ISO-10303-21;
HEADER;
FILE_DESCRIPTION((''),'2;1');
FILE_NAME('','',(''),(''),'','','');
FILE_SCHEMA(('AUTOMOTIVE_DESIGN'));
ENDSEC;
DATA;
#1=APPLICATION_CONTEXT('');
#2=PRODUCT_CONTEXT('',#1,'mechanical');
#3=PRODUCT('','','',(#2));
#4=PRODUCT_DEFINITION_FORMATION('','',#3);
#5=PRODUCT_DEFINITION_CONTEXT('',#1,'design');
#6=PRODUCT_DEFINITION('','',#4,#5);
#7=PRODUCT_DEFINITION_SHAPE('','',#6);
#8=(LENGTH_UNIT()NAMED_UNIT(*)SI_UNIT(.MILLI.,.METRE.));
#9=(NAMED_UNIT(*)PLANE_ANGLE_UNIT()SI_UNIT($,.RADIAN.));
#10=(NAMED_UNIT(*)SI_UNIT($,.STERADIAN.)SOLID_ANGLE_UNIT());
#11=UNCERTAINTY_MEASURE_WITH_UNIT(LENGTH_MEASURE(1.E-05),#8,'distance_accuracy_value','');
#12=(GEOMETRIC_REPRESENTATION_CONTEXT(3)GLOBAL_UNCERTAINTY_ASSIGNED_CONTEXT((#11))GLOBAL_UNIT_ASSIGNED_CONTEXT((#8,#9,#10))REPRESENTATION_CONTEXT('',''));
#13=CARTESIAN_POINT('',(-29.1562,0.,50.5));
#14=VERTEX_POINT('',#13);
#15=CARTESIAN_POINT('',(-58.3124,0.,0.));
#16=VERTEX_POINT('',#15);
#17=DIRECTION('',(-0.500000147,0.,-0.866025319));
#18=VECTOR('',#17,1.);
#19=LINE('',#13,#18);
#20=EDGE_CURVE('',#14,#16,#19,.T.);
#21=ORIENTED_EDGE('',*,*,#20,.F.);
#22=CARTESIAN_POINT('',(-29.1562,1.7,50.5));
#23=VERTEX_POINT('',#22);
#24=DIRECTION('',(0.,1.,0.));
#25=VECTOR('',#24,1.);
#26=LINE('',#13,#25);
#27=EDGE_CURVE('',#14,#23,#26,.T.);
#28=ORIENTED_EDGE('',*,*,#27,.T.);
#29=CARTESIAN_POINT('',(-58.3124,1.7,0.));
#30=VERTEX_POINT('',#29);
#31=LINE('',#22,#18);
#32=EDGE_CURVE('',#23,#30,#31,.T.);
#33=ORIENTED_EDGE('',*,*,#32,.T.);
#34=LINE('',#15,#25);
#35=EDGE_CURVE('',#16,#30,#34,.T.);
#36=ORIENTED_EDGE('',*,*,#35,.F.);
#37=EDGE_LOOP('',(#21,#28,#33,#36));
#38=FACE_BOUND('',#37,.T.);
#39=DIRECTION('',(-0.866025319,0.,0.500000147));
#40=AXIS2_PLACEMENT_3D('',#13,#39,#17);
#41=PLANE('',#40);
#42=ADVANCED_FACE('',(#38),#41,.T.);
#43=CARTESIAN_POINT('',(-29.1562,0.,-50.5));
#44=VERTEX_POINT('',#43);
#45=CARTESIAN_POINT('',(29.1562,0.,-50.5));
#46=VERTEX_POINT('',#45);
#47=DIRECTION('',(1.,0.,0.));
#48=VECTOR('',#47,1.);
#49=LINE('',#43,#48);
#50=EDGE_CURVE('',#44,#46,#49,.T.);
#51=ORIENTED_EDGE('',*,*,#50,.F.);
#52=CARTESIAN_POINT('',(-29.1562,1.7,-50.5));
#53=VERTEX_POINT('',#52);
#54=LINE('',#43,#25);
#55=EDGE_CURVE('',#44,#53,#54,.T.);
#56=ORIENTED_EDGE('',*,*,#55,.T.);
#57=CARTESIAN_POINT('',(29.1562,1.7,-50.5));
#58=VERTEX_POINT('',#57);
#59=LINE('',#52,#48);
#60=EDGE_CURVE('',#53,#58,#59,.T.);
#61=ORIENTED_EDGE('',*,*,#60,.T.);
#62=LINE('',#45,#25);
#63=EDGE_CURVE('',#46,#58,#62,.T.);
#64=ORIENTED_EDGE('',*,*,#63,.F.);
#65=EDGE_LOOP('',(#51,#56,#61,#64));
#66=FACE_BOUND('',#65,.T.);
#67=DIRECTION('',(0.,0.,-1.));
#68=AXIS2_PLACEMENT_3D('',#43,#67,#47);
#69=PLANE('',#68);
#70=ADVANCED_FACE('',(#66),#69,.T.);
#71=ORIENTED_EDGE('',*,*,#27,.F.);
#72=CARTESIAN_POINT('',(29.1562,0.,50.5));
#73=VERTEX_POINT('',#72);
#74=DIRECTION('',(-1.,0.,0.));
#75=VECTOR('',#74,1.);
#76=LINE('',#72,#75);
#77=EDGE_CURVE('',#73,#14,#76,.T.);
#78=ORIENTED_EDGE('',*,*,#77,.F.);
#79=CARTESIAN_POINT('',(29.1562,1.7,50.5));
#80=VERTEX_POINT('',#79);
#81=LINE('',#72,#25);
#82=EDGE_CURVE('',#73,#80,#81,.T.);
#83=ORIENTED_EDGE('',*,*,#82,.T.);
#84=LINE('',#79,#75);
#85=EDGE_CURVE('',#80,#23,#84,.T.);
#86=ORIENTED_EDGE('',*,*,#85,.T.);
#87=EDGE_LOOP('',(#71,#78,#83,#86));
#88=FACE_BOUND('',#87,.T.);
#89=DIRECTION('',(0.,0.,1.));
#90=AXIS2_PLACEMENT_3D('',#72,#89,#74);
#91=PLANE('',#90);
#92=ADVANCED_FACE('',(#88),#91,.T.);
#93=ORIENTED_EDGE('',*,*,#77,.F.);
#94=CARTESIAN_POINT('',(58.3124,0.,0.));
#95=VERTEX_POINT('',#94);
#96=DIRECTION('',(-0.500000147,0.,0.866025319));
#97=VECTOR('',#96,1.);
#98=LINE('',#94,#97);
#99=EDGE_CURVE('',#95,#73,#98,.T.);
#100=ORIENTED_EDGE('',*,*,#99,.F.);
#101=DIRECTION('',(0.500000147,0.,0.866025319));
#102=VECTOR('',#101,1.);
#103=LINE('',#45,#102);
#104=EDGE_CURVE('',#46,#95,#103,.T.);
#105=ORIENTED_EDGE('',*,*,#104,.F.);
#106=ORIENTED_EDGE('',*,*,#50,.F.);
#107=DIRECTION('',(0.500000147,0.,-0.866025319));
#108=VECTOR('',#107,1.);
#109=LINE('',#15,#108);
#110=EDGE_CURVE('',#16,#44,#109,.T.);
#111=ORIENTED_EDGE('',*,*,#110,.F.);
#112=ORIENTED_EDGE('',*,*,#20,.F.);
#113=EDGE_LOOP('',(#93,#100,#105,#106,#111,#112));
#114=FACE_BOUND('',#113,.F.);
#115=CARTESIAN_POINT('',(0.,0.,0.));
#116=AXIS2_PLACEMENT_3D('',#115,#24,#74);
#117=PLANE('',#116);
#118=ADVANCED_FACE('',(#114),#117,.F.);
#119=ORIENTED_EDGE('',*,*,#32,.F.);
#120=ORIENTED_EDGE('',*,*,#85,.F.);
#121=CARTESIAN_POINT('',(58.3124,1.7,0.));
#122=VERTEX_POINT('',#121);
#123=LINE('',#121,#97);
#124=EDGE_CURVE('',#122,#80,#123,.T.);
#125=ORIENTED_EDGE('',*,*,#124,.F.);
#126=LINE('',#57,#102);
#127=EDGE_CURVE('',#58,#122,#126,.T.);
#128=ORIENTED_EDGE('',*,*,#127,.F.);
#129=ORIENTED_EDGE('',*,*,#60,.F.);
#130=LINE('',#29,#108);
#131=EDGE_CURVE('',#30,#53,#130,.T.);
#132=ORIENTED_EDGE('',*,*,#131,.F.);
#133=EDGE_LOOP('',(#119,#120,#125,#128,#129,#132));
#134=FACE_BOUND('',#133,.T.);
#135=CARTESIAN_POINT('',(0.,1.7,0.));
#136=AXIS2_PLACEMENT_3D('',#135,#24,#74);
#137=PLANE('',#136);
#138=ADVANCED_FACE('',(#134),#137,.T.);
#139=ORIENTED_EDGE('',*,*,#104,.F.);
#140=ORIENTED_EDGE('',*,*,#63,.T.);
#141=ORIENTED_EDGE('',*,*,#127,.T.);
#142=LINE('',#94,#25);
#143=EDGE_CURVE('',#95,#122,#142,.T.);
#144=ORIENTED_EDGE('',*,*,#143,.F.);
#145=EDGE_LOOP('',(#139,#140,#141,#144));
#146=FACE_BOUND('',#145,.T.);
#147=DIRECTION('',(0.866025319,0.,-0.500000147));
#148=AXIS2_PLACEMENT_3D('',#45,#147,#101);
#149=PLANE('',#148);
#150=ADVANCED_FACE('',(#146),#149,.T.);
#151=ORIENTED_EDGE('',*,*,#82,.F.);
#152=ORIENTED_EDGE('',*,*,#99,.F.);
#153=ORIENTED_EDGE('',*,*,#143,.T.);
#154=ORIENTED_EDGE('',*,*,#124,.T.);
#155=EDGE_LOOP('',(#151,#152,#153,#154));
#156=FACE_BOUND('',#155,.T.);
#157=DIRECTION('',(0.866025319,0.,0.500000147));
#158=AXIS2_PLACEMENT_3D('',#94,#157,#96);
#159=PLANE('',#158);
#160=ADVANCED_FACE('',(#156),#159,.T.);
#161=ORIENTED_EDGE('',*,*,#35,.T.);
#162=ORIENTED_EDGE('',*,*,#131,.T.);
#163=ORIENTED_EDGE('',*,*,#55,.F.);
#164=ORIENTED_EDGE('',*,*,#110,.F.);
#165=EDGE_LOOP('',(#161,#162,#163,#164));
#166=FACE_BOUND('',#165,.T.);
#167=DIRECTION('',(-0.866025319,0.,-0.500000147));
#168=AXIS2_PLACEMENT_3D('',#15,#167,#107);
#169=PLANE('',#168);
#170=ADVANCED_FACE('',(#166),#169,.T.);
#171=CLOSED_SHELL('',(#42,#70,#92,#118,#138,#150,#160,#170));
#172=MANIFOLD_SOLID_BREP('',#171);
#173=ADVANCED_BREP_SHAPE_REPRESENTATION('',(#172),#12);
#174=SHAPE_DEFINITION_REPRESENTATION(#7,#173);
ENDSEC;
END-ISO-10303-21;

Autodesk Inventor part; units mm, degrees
ref_plane "YZ Plane" through (0, 0, 0) normal (1, 0, 0) x (0, 1, 0)
ref_plane "XZ Plane" through (0, 0, 0) normal (0, 1, 0) x (-1, 0, 0)
ref_plane "XY Plane" through (0, 0, 0) normal (0, 0, 1) x (1, 0, 0)
sketch "Sketch1" plane through (0, 0, 0) normal (0, 1, 0) x (-1, 0, 0)
  line L0 (-29.1562, -50.5) -> (-58.3124, 0)
  line L1 (-58.3124, 0) -> (-29.1562, 50.5)
  line L2 (-29.1562, 50.5) -> (29.1562, 50.5)
  line L3 (29.1562, 50.5) -> (58.3124, 0)
  line L4 (58.3124, 0) -> (29.1562, -50.5)
  line L5 (29.1562, -50.5) -> (-29.1562, -50.5)
  point P0 (0, 0)
  point P1 (0, 0)
  dimension "d0" = 101
extrude "Extrusion1" add sketch "Sketch1" along normal blind 1.7
equation "\"d0\" = FlatDiameter"
equation "\"d1\" = Thickness"
equation "\"FlatDiameter\" = 101"
equation "\"Thickness\" = 1.7"
properties part number "Hex_Single" material "Paper"
